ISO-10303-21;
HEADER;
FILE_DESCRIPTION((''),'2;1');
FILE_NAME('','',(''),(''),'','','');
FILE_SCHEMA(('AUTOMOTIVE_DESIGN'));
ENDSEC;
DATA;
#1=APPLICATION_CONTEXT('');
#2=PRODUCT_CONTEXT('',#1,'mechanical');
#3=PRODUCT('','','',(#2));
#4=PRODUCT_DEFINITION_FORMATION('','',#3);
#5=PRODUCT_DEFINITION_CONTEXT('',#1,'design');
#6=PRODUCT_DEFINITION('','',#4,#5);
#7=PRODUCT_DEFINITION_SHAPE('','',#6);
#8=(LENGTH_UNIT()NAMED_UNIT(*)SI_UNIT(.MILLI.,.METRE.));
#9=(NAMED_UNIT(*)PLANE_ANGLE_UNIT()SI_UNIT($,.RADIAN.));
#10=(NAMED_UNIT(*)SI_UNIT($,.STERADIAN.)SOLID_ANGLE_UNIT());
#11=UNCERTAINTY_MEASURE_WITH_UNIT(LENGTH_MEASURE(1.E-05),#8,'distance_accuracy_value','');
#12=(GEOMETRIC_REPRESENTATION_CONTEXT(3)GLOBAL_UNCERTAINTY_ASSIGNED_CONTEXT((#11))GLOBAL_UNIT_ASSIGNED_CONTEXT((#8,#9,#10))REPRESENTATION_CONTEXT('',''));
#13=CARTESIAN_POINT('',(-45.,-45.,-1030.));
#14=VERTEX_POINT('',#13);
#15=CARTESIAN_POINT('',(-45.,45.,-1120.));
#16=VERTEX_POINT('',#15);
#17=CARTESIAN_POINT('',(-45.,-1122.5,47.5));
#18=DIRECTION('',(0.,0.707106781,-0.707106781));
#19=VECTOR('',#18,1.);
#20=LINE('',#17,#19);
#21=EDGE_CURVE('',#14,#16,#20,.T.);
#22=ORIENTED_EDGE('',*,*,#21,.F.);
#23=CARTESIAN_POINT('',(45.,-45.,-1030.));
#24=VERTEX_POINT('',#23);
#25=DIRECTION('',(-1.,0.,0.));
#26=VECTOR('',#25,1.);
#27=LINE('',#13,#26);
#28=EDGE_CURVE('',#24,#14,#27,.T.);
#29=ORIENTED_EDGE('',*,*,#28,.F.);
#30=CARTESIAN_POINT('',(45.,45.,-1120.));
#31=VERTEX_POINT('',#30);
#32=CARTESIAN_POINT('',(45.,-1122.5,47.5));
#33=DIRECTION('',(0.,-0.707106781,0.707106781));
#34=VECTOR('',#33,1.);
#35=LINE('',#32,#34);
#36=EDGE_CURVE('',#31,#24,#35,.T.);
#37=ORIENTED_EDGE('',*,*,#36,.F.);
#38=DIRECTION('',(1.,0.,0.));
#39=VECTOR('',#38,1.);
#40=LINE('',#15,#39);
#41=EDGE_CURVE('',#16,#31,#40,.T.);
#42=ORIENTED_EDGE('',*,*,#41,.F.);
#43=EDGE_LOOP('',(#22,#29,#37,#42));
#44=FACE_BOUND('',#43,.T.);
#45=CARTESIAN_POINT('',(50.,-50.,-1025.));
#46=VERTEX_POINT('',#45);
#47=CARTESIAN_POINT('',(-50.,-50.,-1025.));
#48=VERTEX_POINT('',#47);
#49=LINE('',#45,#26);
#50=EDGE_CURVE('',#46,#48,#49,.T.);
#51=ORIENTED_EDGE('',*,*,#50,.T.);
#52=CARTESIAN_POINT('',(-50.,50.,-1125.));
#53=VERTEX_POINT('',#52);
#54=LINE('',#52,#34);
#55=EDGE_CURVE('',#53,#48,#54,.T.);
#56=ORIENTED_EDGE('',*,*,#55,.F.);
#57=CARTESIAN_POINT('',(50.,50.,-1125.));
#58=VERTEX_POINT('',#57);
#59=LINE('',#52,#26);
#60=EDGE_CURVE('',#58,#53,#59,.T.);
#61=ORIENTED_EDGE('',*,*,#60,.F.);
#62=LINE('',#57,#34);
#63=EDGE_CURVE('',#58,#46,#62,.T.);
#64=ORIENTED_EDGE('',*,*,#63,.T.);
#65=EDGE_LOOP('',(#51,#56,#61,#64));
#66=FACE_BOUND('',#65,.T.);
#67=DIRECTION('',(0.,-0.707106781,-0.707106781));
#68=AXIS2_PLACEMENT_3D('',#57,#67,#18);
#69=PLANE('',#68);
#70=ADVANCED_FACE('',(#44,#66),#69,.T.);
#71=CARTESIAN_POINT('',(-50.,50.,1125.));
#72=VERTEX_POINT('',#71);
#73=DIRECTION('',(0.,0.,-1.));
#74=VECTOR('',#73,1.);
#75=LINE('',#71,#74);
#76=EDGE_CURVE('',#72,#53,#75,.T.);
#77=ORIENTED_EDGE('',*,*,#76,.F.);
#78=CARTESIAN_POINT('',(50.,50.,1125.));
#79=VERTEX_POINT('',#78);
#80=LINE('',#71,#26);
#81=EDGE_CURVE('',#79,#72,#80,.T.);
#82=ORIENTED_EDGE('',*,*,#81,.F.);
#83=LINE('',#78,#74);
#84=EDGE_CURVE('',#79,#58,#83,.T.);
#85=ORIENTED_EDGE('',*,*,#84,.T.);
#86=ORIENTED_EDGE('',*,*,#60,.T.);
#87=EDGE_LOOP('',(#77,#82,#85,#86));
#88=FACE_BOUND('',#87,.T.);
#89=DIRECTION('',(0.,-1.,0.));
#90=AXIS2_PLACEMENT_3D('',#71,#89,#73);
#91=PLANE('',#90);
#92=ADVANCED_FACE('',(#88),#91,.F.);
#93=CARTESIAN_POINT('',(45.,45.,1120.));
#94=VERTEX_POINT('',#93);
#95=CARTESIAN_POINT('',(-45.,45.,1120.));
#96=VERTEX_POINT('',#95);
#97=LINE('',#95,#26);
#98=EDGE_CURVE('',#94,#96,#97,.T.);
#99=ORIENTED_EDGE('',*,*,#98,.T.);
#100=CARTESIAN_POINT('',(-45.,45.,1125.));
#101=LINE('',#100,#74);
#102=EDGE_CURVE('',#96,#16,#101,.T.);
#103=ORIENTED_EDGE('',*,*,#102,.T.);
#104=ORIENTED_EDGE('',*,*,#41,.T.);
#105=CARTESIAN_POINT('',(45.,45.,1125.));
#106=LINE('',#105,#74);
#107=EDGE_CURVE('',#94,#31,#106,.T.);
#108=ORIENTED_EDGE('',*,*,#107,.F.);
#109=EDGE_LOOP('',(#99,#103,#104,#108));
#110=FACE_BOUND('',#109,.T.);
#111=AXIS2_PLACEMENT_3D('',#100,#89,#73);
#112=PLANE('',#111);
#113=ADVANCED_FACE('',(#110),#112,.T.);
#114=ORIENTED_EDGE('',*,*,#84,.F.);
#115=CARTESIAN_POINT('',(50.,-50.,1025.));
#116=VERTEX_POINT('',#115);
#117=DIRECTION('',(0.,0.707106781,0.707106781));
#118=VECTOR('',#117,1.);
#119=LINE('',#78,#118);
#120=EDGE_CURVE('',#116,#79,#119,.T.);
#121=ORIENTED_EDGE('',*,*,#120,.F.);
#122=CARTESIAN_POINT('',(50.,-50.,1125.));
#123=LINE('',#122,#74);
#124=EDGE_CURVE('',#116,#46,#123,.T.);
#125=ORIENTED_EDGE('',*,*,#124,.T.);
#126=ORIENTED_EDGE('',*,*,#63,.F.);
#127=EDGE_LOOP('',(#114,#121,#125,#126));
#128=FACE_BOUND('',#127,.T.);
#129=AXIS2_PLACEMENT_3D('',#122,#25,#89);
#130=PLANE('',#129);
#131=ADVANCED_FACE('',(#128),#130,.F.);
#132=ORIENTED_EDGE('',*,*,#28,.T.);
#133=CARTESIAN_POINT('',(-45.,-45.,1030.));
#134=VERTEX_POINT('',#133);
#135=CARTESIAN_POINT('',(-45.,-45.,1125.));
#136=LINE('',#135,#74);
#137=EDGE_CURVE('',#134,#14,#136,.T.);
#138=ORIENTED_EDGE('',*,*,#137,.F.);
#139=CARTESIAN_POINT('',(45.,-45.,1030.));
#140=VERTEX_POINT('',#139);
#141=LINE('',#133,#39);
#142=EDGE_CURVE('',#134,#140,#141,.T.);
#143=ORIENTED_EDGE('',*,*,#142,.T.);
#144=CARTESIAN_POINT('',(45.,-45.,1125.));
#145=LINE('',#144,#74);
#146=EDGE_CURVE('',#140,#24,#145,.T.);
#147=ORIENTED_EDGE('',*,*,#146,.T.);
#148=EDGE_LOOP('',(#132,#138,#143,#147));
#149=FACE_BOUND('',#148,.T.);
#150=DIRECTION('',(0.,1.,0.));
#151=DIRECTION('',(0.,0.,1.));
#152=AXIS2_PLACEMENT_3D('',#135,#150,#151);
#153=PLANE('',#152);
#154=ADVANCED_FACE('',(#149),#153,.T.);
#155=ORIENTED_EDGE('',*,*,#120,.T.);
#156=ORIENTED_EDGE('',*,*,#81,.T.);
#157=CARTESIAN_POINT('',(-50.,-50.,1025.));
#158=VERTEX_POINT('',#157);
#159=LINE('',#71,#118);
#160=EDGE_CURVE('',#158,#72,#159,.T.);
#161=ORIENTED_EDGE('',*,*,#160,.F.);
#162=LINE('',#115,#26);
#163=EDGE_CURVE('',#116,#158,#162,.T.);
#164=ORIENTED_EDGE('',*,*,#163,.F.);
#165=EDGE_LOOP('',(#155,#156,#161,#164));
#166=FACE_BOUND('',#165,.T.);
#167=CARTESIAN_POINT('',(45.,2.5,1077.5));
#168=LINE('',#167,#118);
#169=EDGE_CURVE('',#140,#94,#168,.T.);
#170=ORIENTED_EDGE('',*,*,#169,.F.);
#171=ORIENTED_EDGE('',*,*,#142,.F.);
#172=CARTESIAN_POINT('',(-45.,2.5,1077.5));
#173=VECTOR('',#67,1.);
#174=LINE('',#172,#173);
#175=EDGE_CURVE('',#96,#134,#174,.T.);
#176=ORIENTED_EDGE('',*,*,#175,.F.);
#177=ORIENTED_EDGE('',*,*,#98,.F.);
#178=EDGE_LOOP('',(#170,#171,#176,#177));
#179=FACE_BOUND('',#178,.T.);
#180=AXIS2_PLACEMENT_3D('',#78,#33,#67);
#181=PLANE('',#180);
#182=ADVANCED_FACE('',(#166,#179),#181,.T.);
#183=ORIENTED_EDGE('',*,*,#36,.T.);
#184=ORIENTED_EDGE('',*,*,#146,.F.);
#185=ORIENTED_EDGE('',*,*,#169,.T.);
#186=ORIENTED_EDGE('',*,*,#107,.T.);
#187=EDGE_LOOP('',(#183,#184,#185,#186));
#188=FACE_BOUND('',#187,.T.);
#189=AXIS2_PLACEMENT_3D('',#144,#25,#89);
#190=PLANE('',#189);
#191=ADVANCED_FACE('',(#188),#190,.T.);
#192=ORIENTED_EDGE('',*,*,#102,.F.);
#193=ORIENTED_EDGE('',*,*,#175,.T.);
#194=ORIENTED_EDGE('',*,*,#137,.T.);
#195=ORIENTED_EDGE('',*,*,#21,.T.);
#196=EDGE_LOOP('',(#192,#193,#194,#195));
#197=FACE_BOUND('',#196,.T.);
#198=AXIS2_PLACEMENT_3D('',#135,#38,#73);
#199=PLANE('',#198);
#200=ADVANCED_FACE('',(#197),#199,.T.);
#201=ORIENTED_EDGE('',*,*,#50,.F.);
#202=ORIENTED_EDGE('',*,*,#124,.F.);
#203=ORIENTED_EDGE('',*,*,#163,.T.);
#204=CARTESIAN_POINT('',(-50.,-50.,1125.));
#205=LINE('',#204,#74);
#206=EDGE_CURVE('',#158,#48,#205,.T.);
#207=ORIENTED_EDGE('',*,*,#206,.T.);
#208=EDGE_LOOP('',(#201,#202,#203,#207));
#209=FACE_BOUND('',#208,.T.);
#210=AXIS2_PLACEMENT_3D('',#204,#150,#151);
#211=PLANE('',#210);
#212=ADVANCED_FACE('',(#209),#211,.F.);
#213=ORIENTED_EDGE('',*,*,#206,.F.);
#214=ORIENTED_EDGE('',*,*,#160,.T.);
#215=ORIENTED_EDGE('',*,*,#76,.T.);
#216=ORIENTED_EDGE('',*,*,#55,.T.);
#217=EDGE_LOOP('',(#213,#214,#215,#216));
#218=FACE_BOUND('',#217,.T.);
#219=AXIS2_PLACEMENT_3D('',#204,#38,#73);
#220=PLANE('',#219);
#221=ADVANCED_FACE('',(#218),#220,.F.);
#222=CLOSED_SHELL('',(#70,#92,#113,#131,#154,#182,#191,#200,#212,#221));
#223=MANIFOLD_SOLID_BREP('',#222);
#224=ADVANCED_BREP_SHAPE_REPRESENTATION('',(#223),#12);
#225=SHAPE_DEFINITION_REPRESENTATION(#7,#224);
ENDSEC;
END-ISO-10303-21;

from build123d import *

# Parameters (mm, degrees)
SKETCH1_W               = 100
SKETCH1_H               = 100
SKETCH1_W_2             = 90
SKETCH1_H_2             = 90
BOSS_EXTRUDE1_DEPTH     = 1125
CUT_EXTRUDE1_DEPTH      = 51
CUT_EXTRUDE1_DEPTH_BACK = 51


with BuildPart() as part:
    # Sketch1 → Boss-Extrude1 (new body, symmetric)
    with BuildSketch(Plane.XY):
        Rectangle(SKETCH1_W, SKETCH1_H)
        Rectangle(SKETCH1_W_2, SKETCH1_H_2, mode=Mode.SUBTRACT)
    extrude(amount=BOSS_EXTRUDE1_DEPTH, both=True)

    # Sketch4 → Cut-Extrude1 (cut, two sides)
    with BuildSketch(Plane(origin=(0, 0, 0), x_dir=(0, 0, -1), z_dir=(1, 0, 0))) as cut_extrude1_sk:
        Polygon((-1125, 50), (-1025, -50), (-1125, -50), align=None)
        Polygon((1125, 50), (1025, -50), (1125, -50), align=None)
    extrude(amount=CUT_EXTRUDE1_DEPTH, mode=Mode.SUBTRACT)
    extrude(cut_extrude1_sk.sketch, amount=-CUT_EXTRUDE1_DEPTH_BACK, mode=Mode.SUBTRACT)


solid = part.part
